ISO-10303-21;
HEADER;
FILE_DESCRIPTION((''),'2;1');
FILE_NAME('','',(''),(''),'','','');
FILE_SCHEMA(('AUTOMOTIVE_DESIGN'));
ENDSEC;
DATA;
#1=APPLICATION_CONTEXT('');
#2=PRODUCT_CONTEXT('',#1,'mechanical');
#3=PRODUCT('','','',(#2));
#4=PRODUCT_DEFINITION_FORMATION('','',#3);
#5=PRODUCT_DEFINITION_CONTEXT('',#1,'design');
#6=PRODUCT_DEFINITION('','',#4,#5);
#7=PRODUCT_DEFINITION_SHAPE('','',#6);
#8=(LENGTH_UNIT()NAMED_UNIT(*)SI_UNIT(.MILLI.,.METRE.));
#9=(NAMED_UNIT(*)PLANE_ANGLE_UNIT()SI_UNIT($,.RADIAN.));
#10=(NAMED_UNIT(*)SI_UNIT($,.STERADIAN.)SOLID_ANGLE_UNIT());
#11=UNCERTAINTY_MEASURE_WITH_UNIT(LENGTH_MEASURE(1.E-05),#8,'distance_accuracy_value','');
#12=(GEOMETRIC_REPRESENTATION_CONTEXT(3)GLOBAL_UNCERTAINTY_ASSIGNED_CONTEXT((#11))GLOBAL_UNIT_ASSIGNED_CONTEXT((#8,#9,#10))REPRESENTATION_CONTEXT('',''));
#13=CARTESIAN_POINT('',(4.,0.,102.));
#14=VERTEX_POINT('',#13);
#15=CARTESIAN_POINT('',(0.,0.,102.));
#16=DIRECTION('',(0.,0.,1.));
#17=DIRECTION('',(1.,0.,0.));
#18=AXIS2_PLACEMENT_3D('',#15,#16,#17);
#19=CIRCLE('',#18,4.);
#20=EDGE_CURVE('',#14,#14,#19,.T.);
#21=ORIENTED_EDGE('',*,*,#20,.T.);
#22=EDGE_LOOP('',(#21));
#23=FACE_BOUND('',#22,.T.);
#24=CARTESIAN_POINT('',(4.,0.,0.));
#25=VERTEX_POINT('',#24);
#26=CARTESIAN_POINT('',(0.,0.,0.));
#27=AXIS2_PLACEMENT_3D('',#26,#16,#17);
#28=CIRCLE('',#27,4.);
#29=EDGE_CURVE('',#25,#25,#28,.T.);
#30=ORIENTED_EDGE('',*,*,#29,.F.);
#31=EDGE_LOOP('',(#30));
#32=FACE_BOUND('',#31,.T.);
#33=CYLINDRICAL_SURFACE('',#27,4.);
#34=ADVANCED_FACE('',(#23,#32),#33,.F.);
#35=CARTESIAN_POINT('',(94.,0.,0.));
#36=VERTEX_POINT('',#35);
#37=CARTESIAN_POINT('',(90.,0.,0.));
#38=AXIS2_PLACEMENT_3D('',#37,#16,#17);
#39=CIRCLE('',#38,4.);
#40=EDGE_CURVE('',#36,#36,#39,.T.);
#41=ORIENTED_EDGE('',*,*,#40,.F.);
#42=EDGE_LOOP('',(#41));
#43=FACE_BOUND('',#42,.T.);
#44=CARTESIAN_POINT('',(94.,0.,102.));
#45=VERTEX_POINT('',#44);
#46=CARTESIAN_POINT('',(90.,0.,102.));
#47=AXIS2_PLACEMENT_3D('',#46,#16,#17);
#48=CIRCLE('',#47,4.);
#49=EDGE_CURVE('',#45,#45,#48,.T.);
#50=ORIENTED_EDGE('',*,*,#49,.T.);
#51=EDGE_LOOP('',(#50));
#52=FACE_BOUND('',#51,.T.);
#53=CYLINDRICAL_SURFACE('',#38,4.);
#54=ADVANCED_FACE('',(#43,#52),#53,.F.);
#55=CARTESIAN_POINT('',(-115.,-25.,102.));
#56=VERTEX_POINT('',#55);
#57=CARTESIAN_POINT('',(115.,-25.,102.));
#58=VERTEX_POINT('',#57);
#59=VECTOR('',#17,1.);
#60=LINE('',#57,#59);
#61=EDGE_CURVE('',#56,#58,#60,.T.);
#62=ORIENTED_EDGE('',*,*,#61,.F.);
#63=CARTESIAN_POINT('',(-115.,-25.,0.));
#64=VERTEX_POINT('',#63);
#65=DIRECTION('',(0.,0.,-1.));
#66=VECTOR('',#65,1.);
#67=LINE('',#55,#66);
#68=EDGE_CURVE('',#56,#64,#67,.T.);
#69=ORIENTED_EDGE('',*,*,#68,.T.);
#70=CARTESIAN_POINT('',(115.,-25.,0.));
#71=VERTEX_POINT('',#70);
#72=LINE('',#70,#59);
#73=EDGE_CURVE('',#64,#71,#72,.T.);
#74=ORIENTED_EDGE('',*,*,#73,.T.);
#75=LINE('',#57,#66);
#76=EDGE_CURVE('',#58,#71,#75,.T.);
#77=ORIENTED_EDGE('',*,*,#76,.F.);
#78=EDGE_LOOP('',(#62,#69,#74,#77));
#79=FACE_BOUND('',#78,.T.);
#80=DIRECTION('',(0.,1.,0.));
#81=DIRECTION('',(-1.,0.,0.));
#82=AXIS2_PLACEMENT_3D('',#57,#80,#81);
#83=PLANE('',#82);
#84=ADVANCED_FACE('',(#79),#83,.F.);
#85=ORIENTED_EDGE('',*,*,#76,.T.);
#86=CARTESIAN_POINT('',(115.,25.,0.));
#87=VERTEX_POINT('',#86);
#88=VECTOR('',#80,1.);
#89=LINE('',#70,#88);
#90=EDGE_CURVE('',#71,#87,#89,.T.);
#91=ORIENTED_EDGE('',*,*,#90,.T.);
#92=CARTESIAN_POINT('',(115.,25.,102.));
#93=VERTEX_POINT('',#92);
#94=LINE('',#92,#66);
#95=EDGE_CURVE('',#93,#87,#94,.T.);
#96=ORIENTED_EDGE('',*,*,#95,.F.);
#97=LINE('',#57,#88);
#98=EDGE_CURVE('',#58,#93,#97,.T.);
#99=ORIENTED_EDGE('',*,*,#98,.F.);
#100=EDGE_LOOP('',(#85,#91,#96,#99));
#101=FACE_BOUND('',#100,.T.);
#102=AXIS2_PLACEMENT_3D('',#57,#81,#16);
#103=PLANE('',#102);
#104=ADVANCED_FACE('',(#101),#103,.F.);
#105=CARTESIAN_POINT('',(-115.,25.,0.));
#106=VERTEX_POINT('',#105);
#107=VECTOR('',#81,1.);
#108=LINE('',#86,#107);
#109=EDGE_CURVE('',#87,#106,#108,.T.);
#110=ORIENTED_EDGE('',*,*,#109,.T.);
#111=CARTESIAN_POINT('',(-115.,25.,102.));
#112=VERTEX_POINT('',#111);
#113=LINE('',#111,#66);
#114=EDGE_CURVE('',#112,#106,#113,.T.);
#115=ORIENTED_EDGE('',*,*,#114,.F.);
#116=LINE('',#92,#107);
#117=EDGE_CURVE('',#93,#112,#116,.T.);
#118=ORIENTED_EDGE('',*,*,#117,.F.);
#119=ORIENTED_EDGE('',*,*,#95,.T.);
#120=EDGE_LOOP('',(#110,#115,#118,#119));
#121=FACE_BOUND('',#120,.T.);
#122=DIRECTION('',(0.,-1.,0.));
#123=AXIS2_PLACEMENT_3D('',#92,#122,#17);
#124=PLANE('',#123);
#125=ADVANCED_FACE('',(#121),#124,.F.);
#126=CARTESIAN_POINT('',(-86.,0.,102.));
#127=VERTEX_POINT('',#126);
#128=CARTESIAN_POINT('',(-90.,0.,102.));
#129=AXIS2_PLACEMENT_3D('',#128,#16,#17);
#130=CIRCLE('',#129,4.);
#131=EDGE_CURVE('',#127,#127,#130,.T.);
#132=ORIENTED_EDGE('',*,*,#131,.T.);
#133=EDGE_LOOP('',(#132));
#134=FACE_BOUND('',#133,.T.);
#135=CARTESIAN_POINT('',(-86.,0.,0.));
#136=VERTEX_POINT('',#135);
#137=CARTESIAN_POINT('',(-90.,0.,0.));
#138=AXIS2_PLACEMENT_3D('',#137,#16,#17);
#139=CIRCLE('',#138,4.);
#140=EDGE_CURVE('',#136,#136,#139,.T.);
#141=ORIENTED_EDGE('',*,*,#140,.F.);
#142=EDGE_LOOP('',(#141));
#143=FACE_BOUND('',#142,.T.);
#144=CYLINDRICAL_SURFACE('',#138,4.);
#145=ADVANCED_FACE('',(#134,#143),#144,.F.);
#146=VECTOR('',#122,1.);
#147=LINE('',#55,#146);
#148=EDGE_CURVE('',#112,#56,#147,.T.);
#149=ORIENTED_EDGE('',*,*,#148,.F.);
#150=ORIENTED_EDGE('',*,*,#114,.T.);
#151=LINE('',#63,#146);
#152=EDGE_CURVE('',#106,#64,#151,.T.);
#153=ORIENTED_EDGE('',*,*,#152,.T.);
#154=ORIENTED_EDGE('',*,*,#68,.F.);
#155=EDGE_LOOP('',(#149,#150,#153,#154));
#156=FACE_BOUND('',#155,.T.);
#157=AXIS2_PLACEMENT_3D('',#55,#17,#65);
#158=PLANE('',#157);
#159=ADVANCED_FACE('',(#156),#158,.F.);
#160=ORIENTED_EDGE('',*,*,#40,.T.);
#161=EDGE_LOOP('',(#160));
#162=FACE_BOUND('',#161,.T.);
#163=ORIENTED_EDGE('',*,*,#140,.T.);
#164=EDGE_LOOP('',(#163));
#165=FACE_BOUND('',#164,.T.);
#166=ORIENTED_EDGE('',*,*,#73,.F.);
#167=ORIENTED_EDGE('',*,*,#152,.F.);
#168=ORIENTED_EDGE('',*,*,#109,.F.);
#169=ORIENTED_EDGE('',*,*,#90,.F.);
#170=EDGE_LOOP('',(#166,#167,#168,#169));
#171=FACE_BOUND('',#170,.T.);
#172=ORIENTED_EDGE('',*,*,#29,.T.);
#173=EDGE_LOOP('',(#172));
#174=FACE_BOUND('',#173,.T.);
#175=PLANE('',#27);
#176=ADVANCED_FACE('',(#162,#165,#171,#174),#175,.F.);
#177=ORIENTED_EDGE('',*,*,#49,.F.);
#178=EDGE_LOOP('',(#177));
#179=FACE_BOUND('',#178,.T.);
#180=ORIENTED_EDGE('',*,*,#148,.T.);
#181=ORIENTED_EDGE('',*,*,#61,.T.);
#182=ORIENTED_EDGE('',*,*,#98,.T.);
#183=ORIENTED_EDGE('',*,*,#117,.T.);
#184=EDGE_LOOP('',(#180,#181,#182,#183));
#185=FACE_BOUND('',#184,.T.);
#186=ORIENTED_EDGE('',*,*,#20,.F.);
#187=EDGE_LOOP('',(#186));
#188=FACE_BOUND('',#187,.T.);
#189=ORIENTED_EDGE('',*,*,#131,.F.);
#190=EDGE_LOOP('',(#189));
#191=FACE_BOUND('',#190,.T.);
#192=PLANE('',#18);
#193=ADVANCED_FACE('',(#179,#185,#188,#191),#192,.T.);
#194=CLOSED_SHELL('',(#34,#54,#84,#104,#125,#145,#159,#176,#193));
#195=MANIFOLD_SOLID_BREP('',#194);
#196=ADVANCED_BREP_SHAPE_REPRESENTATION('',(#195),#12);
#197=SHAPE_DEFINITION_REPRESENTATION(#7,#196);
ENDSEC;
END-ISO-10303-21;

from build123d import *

# Parameters (mm, degrees)
SKETCH2_W           = 230
SKETCH2_H           = 50
BOSS_EXTRUDE1_DEPTH = 102
SKETCH3_R           = 4
CUT_EXTRUDE1_DEPTH  = 156.73695772


with BuildPart() as part:
    # Sketch2 → Boss-Extrude1 (new body)
    with BuildSketch(Plane.XY):
        Rectangle(SKETCH2_W, SKETCH2_H)
    extrude(amount=BOSS_EXTRUDE1_DEPTH)

    # Sketch3 → Cut-Extrude1 (cut, through all)
    with BuildSketch(Plane.XY.offset(102)):
        Circle(SKETCH3_R)
        with Locations((90, 0)):
            Circle(SKETCH3_R)
        with Locations((-90, 0)):
            Circle(SKETCH3_R)
    extrude(amount=-CUT_EXTRUDE1_DEPTH, mode=Mode.SUBTRACT)


solid = part.part
